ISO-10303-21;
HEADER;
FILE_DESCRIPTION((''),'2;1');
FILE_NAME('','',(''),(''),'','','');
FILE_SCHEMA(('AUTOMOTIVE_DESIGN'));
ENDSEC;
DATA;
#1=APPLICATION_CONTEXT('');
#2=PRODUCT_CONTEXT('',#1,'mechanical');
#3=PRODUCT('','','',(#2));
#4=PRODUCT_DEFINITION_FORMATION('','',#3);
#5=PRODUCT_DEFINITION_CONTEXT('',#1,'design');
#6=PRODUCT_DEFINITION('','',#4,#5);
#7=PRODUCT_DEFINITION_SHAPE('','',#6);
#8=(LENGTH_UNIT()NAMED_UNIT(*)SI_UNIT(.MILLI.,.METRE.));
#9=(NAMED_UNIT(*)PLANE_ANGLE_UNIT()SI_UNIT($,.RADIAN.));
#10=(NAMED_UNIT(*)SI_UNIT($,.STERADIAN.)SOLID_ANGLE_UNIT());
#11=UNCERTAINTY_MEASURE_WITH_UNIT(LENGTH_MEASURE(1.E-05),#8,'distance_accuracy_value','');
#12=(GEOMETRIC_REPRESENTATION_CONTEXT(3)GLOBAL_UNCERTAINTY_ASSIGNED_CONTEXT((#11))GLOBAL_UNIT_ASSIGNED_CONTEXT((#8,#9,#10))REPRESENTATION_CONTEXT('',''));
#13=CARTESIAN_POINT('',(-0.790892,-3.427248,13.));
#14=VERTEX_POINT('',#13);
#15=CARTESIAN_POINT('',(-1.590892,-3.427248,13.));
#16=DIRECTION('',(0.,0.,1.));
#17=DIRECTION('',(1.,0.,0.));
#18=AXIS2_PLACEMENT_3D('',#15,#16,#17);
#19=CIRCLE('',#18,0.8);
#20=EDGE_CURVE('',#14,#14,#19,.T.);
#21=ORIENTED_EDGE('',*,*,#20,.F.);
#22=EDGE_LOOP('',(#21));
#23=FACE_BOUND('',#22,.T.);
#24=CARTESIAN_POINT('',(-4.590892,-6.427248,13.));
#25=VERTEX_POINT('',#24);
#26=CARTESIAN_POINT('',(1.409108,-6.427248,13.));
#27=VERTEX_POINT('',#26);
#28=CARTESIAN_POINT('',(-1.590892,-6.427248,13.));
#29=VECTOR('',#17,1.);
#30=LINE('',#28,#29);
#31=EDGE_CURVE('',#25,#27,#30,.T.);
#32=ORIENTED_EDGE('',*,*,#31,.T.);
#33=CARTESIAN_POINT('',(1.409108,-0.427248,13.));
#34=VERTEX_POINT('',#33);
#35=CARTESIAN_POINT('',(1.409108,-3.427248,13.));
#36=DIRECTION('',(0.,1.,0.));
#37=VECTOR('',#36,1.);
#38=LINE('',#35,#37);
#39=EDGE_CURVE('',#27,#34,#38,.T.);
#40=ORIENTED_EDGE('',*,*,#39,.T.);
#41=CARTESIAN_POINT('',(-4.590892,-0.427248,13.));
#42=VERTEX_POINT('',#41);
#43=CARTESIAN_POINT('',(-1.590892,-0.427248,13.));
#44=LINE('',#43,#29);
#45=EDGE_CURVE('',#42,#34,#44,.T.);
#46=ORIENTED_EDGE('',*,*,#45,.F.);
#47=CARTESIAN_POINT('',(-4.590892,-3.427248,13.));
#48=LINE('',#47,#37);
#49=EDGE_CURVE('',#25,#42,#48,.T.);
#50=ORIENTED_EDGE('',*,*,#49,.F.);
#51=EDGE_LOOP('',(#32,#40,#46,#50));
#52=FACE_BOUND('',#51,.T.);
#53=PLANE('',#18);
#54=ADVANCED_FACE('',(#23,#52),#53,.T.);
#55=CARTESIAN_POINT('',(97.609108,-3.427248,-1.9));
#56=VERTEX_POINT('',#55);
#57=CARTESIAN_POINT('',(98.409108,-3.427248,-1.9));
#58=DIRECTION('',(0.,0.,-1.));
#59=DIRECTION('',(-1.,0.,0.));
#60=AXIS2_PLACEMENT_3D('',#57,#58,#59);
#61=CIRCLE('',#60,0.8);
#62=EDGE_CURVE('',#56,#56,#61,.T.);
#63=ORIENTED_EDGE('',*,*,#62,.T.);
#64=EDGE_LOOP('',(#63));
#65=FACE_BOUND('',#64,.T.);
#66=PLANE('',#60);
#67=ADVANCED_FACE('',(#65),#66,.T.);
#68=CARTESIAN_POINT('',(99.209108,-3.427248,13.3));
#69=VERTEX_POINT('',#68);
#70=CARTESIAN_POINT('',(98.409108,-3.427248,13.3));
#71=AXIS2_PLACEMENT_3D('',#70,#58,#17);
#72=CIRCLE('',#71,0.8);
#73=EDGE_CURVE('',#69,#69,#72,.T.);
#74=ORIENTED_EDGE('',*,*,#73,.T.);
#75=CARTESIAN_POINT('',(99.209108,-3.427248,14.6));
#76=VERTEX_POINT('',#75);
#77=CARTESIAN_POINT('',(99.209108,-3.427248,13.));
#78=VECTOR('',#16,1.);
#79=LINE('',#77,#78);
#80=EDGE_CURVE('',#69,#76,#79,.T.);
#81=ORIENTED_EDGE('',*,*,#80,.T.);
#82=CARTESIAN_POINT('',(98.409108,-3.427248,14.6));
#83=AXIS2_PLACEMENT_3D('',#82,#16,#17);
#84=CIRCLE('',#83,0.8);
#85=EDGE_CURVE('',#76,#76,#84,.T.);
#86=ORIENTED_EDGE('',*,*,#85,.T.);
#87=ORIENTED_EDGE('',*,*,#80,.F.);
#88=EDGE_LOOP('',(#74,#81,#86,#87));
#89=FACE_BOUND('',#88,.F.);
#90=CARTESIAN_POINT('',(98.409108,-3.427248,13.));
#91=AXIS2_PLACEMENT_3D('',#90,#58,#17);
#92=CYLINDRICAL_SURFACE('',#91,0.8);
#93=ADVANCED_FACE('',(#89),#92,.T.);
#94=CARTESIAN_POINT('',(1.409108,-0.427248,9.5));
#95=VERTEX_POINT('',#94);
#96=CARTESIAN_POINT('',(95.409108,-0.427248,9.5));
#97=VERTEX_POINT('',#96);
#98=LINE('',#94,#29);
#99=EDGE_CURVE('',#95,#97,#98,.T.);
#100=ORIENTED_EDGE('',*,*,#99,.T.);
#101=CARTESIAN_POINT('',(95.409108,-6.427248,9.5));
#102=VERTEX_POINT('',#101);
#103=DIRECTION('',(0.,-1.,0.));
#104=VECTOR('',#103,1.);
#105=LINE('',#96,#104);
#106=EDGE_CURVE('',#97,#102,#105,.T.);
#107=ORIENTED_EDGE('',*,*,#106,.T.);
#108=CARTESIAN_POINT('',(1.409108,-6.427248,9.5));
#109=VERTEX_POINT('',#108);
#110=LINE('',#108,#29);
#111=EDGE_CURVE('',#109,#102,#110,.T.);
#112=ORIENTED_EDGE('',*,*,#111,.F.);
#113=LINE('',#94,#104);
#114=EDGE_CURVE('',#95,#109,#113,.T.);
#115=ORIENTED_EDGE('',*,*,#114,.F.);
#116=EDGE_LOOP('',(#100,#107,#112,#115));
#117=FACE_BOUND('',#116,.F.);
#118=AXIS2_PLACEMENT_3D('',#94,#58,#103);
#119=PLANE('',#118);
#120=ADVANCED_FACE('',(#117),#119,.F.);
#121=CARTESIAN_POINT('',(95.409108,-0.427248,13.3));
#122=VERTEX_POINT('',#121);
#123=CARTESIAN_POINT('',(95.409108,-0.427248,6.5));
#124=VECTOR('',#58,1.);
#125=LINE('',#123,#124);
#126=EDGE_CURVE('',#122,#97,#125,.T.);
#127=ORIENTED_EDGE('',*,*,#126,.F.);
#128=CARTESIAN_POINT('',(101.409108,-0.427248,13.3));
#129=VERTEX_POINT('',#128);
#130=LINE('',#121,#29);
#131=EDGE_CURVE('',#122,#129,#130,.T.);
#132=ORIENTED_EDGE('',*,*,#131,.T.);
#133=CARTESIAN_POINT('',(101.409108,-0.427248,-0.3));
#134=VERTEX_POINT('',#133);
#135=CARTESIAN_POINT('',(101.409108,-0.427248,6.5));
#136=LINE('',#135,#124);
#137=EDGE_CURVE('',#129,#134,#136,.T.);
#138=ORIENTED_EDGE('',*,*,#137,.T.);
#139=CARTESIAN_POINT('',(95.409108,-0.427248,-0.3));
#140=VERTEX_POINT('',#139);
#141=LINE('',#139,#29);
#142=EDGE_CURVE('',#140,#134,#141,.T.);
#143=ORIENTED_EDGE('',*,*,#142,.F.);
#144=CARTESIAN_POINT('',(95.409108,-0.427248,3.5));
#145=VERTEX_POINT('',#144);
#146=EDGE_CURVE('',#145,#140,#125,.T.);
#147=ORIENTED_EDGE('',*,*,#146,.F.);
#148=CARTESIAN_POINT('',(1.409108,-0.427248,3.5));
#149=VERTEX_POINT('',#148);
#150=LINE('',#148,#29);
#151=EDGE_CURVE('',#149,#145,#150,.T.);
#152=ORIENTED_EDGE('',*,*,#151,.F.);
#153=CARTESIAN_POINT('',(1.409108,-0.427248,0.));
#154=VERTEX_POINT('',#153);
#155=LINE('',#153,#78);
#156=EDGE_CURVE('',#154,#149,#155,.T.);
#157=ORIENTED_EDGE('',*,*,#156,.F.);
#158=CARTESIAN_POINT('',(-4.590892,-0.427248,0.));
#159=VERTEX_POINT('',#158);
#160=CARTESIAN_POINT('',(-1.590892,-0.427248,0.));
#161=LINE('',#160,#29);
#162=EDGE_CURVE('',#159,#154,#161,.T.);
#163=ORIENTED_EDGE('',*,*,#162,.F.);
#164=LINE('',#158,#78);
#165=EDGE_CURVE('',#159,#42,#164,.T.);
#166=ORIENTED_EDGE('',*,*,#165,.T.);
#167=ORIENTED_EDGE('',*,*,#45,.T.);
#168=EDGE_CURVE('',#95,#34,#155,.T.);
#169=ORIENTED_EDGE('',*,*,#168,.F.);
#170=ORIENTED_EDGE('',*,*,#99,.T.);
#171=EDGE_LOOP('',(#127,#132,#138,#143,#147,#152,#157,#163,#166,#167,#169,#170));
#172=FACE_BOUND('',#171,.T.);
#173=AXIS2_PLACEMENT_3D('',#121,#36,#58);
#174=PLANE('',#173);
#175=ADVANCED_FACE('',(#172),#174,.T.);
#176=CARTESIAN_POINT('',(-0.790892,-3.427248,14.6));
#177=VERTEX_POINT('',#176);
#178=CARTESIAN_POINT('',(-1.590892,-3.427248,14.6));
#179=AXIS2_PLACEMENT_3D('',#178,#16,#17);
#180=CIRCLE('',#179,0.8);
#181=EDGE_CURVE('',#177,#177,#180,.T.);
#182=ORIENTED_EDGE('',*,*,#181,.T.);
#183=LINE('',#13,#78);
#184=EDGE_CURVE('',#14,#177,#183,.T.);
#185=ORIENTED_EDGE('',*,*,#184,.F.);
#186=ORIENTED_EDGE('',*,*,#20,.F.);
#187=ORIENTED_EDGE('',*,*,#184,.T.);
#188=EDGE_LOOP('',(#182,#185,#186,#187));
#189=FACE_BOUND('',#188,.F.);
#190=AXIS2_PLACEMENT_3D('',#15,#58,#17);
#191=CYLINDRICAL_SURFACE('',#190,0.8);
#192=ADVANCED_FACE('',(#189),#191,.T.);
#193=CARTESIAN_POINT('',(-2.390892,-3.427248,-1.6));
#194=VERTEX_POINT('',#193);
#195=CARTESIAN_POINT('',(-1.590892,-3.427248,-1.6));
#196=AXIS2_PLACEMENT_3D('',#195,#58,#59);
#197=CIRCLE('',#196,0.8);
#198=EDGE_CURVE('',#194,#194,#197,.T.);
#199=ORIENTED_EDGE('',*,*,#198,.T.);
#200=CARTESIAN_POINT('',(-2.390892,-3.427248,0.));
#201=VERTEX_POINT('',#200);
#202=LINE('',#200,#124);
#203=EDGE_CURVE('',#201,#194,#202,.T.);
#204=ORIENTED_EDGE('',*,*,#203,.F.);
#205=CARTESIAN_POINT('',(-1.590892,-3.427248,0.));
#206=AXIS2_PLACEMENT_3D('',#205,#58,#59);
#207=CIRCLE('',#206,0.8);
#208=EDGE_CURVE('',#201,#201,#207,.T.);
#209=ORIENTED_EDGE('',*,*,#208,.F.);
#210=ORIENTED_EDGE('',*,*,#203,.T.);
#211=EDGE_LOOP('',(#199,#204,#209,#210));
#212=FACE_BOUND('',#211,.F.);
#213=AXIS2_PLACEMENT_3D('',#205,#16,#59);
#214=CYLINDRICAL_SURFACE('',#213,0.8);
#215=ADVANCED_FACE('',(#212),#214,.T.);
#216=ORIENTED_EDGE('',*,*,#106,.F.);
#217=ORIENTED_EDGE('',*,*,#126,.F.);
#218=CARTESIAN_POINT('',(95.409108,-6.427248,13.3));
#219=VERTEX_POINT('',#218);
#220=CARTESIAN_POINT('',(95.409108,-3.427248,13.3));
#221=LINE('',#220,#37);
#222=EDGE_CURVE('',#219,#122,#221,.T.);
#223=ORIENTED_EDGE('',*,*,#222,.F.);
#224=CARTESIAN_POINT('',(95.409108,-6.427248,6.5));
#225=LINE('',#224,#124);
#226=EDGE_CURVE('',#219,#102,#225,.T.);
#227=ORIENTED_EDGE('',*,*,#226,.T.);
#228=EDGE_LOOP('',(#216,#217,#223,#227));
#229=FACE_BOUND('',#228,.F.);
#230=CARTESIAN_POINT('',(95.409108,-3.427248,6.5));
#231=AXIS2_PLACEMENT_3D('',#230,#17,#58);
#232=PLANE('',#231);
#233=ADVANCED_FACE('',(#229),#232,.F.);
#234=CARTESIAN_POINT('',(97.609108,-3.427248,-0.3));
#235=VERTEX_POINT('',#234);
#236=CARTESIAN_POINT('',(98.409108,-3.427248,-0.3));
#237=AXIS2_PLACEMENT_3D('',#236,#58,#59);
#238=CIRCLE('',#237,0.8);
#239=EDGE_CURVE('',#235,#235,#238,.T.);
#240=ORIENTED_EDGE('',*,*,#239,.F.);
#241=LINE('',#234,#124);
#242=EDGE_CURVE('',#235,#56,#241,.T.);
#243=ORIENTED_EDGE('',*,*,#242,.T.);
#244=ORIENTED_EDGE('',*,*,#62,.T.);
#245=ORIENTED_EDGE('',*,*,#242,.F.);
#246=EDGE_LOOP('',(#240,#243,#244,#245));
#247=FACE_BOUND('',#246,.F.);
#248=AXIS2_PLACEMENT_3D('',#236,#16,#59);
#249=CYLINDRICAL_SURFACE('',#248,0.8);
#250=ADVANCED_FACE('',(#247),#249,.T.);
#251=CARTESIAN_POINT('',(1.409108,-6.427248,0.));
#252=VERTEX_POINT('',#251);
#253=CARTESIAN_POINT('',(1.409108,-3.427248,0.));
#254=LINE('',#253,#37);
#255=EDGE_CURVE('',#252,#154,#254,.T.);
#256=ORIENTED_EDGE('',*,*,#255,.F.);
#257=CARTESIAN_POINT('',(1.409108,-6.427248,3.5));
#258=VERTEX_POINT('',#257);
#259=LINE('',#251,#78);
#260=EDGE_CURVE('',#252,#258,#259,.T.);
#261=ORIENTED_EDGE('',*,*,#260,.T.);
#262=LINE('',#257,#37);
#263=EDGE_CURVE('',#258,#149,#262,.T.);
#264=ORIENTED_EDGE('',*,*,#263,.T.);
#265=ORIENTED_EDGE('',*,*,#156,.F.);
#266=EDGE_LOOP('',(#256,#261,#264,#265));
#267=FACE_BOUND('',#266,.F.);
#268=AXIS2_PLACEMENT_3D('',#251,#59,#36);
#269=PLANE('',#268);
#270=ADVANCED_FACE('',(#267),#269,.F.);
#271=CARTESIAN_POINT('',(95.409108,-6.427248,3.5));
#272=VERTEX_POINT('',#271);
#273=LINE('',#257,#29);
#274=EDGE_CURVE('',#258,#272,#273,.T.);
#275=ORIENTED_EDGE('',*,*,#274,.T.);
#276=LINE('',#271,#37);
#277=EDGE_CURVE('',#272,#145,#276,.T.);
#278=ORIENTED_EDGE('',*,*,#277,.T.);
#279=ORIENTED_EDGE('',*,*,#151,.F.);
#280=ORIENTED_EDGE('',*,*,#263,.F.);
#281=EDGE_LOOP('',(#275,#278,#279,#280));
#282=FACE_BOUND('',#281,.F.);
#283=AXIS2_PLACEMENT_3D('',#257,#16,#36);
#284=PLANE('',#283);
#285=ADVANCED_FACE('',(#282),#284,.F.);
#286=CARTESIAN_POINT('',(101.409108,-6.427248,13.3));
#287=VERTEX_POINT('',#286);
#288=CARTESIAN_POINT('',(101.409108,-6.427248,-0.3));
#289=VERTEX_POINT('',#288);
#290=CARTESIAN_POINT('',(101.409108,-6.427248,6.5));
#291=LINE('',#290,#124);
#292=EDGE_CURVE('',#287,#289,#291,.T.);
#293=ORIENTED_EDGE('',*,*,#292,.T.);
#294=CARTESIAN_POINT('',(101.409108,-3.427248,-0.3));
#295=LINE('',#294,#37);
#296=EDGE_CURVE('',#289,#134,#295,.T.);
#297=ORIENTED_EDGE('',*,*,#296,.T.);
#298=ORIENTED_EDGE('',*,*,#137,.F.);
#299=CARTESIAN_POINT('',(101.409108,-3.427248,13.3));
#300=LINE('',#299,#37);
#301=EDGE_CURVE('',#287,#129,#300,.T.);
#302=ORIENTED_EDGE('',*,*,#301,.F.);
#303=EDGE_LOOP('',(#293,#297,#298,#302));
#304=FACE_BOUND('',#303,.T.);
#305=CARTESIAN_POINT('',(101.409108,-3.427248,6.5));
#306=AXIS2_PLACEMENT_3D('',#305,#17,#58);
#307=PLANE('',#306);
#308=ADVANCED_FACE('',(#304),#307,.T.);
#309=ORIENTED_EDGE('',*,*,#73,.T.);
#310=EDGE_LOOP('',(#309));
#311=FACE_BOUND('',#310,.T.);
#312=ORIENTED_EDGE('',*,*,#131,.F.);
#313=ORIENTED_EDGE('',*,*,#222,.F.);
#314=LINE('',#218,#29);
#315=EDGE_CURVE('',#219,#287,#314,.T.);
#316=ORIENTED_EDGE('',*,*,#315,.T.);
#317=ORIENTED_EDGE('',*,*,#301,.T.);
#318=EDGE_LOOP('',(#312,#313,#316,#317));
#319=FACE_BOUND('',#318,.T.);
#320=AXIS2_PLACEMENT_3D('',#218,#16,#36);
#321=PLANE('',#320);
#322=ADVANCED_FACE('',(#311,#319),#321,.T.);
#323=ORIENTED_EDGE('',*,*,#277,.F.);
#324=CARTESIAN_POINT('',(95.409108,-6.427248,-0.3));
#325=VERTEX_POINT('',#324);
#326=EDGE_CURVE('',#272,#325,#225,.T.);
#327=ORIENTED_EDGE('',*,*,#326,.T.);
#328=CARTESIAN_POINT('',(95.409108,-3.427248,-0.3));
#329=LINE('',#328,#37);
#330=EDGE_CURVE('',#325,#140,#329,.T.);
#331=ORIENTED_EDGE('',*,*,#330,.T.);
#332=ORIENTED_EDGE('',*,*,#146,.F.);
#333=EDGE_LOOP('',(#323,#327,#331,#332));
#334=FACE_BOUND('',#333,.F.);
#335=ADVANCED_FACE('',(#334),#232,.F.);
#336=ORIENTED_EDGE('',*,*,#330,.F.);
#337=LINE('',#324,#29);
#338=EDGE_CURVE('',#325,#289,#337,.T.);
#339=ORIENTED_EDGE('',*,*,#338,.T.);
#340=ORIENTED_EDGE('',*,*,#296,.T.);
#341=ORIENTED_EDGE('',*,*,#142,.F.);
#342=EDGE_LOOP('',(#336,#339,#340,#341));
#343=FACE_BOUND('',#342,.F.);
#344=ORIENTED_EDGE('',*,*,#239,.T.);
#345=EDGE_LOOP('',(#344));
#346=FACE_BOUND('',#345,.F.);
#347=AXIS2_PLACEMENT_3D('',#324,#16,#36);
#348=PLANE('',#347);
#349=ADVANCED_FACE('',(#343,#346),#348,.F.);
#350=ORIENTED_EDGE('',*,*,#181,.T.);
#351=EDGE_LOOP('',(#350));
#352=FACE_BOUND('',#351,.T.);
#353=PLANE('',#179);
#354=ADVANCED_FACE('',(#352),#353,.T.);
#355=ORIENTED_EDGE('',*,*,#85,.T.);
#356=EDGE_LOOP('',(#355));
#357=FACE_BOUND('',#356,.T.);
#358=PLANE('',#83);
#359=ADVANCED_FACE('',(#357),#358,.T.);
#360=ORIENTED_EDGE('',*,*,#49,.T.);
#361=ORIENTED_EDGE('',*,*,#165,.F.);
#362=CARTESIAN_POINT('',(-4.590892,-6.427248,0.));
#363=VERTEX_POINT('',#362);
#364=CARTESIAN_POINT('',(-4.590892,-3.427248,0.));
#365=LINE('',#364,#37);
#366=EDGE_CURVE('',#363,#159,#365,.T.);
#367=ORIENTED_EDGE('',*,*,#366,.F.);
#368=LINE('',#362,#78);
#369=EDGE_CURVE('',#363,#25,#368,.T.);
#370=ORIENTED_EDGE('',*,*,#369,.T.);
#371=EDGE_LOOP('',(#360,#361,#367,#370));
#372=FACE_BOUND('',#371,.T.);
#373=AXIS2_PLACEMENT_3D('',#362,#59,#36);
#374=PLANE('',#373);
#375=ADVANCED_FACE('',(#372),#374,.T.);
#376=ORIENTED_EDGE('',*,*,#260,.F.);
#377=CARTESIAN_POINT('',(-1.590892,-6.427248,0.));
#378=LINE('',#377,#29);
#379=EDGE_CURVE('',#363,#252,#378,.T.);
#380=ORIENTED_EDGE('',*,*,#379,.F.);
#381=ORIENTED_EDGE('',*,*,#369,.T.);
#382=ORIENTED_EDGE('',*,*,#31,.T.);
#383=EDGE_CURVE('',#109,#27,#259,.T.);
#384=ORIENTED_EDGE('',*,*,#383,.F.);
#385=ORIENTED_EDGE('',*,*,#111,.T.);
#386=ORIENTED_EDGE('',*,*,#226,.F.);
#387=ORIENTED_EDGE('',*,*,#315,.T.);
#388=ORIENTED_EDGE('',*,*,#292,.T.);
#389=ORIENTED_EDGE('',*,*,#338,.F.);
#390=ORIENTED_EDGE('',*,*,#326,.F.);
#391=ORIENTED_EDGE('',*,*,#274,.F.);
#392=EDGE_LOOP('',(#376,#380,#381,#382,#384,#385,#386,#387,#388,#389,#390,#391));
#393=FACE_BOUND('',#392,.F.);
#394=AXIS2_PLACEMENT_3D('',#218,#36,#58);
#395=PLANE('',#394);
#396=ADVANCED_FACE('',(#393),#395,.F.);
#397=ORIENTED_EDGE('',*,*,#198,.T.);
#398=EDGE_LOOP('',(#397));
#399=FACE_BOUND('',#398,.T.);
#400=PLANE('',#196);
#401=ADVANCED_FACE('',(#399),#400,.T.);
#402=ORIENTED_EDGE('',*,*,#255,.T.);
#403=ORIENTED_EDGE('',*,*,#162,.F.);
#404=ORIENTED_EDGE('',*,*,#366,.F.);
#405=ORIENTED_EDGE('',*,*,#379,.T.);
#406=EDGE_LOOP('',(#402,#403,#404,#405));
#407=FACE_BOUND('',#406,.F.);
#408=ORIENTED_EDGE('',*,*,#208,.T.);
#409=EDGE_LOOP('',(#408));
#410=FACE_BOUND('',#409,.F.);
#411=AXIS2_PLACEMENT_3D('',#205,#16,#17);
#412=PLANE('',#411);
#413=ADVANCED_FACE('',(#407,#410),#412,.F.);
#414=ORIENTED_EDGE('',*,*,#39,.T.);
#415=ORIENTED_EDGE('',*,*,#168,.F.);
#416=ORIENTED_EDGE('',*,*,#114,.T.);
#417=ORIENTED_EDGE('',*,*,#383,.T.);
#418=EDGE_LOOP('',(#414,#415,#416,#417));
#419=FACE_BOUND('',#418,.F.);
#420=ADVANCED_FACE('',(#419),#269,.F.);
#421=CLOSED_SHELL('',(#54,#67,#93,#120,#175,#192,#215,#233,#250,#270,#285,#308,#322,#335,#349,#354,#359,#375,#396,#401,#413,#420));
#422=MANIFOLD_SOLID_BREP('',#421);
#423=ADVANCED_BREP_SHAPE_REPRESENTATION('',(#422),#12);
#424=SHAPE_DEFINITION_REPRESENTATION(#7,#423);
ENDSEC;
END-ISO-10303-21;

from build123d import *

# Parameters (mm, degrees)
SKETCH_1_W      = 6
SKETCH_1_H      = 6
EXTRUDE_1_DEPTH = 13
SKETCH_3_R      = 0.8
EXTRUDE_3_DEPTH = 1.6
SKETCH_4_W      = 6
SKETCH_4_H      = 3
EXTRUDE_4_DEPTH = 94
SKETCH_5_W      = 13.6
SKETCH_5_H      = 6
EXTRUDE_5_DEPTH = 6
SKETCH_2_R      = 0.8
EXTRUDE_2_DEPTH = 1.6
SKETCH_7_R      = 0.8
EXTRUDE_6_DEPTH = 1.6


with BuildPart() as part:
    # 草图1 → 凸台-拉伸1 (new body)
    with BuildSketch(Plane.XY):
        with Locations((-1.59089175, -3.42724845)):
            Rectangle(SKETCH_1_W, SKETCH_1_H)
    extrude(amount=EXTRUDE_1_DEPTH)

    # 草图3 → 凸台-拉伸3 (add)
    with BuildSketch(Plane(origin=(0, 0, 0), x_dir=(-1, 0, 0), z_dir=(0, 0, -1))):
        with Locations((1.59089175, -3.42724845)):
            Circle(SKETCH_3_R)
    extrude(amount=EXTRUDE_3_DEPTH)

    # 草图4 → 凸台-拉伸4 (add)
    with BuildSketch(Plane(origin=(1.40910825, 0, 0), x_dir=(0, 0, -1), z_dir=(1, 0, 0))):
        with Locations((-6.5, -4.92724845)):
            Rectangle(SKETCH_4_W, SKETCH_4_H)
        with Locations((-6.5, -1.92724845)):
            Rectangle(SKETCH_4_W, SKETCH_4_H)
    extrude(amount=EXTRUDE_4_DEPTH)

    # 草图5 → 凸台-拉伸5 (add)
    with BuildSketch(Plane(origin=(95.40910825, 0, 0), x_dir=(0, 0, -1), z_dir=(1, 0, 0))):
        with Locations((-6.5, -3.42724845)):
            Rectangle(SKETCH_5_W, SKETCH_5_H)
    extrude(amount=EXTRUDE_5_DEPTH)

    # 草图2 → 凸台-拉伸2 (add)
    with BuildSketch(Plane.XY.offset(13)):
        with Locations((-1.59089175, -3.42724845)):
            Circle(SKETCH_2_R)
        with Locations((98.40910825, -3.42724845)):
            Circle(SKETCH_2_R)
    extrude(amount=EXTRUDE_2_DEPTH)

    # 草图7 → 凸台-拉伸6 (add)
    with BuildSketch(Plane(origin=(0, 0, -0.3), x_dir=(-1, 0, 0), z_dir=(0, 0, -1))):
        with Locations((-98.40910825, -3.42724845)):
            Circle(SKETCH_7_R)
    extrude(amount=EXTRUDE_6_DEPTH)


solid = part.part
